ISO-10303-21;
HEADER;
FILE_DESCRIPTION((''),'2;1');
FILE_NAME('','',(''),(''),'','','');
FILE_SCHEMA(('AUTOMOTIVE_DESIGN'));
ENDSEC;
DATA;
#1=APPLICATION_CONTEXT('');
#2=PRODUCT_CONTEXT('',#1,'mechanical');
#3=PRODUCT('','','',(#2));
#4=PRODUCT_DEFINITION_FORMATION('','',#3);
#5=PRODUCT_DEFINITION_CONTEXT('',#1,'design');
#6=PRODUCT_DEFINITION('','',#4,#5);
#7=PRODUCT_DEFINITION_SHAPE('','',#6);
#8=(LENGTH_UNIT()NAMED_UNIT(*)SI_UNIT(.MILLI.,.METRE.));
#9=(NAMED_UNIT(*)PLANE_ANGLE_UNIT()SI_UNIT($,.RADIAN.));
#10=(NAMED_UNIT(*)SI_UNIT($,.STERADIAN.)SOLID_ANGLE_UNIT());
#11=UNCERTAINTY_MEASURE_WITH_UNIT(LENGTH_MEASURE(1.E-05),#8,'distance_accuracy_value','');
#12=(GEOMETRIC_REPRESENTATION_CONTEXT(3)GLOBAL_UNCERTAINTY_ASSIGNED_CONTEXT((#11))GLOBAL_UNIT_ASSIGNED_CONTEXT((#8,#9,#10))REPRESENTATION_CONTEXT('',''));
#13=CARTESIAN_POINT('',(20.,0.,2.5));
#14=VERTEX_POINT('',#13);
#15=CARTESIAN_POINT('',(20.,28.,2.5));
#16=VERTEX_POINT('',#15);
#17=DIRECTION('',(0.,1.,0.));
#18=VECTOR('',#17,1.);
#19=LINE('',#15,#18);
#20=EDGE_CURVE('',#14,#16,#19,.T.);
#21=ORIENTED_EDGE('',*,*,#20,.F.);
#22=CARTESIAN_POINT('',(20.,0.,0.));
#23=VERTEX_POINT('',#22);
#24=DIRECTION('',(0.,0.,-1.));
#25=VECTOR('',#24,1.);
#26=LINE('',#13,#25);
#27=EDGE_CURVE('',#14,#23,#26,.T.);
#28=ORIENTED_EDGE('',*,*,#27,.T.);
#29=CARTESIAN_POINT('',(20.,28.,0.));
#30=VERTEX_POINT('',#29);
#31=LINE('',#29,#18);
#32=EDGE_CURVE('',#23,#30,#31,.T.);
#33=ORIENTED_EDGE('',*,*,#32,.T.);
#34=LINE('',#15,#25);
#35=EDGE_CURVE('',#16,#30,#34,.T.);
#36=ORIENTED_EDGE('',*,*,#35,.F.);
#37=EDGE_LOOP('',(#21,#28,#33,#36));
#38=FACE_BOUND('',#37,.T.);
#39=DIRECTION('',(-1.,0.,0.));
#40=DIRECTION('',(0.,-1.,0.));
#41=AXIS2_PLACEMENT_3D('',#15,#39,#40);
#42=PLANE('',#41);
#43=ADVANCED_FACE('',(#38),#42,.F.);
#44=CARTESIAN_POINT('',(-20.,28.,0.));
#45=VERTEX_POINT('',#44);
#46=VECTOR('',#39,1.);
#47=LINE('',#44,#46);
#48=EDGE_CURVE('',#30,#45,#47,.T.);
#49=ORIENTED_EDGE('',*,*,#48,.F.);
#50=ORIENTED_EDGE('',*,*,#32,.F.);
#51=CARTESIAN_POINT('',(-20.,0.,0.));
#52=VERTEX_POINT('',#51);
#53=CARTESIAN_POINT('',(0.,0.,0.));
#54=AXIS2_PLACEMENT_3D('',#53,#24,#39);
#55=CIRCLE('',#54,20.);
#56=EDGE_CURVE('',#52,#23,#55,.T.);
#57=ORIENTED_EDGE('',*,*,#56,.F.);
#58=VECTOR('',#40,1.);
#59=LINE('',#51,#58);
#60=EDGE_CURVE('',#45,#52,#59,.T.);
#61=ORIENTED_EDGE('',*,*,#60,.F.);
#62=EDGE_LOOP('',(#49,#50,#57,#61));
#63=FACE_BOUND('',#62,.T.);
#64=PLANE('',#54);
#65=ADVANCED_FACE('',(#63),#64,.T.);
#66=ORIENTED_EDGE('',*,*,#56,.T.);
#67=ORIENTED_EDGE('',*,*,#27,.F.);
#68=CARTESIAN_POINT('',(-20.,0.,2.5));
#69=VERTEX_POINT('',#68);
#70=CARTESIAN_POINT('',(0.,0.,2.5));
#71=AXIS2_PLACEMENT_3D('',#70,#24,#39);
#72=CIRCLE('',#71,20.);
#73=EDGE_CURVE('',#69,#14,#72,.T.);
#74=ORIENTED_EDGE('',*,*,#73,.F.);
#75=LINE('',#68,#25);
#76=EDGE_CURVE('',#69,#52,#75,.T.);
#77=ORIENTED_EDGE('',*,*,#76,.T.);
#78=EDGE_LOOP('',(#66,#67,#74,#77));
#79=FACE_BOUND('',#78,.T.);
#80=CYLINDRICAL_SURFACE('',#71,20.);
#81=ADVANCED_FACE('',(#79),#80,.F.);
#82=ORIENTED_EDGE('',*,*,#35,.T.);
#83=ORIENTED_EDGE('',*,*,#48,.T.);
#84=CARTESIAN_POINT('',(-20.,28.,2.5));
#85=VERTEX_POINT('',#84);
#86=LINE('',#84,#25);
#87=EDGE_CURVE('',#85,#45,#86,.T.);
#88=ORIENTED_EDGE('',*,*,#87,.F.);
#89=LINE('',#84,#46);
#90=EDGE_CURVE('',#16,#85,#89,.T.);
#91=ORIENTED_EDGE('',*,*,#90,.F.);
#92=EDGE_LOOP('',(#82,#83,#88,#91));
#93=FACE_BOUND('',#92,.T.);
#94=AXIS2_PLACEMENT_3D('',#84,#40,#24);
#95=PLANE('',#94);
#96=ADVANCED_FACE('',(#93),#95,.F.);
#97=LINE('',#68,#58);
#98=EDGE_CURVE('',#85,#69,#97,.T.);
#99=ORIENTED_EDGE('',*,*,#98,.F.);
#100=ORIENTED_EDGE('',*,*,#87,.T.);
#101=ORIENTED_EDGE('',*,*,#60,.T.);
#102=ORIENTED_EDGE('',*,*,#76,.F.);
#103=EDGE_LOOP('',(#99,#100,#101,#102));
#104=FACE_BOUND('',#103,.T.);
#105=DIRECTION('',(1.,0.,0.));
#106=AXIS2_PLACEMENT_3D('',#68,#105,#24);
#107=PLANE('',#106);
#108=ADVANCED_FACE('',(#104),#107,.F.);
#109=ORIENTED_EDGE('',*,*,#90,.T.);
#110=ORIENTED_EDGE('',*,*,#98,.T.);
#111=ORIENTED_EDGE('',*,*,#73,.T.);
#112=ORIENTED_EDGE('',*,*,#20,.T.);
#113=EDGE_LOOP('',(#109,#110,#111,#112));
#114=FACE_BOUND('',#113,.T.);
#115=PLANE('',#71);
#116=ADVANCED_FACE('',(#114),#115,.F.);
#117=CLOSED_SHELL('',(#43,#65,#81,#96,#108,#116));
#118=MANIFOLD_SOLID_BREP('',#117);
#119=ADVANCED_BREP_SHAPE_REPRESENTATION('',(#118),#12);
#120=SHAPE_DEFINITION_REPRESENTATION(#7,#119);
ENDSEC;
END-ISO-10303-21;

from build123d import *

# Parameters (mm, degrees)
EXTRUDE_1_DEPTH = 2.5


with BuildPart() as part:
    # 스케치1 → 보스-돌출1 (new body)
    with BuildSketch(Plane.XY):
        with BuildLine():
            Line((-20, 0), (-20, 28))
            Line((-20, 28), (20, 28))
            Line((20, 28), (20, 0))
            ThreePointArc((20, 0), (0, 20), (-20, 0))
        make_face()
    extrude(amount=EXTRUDE_1_DEPTH)


solid = part.part
